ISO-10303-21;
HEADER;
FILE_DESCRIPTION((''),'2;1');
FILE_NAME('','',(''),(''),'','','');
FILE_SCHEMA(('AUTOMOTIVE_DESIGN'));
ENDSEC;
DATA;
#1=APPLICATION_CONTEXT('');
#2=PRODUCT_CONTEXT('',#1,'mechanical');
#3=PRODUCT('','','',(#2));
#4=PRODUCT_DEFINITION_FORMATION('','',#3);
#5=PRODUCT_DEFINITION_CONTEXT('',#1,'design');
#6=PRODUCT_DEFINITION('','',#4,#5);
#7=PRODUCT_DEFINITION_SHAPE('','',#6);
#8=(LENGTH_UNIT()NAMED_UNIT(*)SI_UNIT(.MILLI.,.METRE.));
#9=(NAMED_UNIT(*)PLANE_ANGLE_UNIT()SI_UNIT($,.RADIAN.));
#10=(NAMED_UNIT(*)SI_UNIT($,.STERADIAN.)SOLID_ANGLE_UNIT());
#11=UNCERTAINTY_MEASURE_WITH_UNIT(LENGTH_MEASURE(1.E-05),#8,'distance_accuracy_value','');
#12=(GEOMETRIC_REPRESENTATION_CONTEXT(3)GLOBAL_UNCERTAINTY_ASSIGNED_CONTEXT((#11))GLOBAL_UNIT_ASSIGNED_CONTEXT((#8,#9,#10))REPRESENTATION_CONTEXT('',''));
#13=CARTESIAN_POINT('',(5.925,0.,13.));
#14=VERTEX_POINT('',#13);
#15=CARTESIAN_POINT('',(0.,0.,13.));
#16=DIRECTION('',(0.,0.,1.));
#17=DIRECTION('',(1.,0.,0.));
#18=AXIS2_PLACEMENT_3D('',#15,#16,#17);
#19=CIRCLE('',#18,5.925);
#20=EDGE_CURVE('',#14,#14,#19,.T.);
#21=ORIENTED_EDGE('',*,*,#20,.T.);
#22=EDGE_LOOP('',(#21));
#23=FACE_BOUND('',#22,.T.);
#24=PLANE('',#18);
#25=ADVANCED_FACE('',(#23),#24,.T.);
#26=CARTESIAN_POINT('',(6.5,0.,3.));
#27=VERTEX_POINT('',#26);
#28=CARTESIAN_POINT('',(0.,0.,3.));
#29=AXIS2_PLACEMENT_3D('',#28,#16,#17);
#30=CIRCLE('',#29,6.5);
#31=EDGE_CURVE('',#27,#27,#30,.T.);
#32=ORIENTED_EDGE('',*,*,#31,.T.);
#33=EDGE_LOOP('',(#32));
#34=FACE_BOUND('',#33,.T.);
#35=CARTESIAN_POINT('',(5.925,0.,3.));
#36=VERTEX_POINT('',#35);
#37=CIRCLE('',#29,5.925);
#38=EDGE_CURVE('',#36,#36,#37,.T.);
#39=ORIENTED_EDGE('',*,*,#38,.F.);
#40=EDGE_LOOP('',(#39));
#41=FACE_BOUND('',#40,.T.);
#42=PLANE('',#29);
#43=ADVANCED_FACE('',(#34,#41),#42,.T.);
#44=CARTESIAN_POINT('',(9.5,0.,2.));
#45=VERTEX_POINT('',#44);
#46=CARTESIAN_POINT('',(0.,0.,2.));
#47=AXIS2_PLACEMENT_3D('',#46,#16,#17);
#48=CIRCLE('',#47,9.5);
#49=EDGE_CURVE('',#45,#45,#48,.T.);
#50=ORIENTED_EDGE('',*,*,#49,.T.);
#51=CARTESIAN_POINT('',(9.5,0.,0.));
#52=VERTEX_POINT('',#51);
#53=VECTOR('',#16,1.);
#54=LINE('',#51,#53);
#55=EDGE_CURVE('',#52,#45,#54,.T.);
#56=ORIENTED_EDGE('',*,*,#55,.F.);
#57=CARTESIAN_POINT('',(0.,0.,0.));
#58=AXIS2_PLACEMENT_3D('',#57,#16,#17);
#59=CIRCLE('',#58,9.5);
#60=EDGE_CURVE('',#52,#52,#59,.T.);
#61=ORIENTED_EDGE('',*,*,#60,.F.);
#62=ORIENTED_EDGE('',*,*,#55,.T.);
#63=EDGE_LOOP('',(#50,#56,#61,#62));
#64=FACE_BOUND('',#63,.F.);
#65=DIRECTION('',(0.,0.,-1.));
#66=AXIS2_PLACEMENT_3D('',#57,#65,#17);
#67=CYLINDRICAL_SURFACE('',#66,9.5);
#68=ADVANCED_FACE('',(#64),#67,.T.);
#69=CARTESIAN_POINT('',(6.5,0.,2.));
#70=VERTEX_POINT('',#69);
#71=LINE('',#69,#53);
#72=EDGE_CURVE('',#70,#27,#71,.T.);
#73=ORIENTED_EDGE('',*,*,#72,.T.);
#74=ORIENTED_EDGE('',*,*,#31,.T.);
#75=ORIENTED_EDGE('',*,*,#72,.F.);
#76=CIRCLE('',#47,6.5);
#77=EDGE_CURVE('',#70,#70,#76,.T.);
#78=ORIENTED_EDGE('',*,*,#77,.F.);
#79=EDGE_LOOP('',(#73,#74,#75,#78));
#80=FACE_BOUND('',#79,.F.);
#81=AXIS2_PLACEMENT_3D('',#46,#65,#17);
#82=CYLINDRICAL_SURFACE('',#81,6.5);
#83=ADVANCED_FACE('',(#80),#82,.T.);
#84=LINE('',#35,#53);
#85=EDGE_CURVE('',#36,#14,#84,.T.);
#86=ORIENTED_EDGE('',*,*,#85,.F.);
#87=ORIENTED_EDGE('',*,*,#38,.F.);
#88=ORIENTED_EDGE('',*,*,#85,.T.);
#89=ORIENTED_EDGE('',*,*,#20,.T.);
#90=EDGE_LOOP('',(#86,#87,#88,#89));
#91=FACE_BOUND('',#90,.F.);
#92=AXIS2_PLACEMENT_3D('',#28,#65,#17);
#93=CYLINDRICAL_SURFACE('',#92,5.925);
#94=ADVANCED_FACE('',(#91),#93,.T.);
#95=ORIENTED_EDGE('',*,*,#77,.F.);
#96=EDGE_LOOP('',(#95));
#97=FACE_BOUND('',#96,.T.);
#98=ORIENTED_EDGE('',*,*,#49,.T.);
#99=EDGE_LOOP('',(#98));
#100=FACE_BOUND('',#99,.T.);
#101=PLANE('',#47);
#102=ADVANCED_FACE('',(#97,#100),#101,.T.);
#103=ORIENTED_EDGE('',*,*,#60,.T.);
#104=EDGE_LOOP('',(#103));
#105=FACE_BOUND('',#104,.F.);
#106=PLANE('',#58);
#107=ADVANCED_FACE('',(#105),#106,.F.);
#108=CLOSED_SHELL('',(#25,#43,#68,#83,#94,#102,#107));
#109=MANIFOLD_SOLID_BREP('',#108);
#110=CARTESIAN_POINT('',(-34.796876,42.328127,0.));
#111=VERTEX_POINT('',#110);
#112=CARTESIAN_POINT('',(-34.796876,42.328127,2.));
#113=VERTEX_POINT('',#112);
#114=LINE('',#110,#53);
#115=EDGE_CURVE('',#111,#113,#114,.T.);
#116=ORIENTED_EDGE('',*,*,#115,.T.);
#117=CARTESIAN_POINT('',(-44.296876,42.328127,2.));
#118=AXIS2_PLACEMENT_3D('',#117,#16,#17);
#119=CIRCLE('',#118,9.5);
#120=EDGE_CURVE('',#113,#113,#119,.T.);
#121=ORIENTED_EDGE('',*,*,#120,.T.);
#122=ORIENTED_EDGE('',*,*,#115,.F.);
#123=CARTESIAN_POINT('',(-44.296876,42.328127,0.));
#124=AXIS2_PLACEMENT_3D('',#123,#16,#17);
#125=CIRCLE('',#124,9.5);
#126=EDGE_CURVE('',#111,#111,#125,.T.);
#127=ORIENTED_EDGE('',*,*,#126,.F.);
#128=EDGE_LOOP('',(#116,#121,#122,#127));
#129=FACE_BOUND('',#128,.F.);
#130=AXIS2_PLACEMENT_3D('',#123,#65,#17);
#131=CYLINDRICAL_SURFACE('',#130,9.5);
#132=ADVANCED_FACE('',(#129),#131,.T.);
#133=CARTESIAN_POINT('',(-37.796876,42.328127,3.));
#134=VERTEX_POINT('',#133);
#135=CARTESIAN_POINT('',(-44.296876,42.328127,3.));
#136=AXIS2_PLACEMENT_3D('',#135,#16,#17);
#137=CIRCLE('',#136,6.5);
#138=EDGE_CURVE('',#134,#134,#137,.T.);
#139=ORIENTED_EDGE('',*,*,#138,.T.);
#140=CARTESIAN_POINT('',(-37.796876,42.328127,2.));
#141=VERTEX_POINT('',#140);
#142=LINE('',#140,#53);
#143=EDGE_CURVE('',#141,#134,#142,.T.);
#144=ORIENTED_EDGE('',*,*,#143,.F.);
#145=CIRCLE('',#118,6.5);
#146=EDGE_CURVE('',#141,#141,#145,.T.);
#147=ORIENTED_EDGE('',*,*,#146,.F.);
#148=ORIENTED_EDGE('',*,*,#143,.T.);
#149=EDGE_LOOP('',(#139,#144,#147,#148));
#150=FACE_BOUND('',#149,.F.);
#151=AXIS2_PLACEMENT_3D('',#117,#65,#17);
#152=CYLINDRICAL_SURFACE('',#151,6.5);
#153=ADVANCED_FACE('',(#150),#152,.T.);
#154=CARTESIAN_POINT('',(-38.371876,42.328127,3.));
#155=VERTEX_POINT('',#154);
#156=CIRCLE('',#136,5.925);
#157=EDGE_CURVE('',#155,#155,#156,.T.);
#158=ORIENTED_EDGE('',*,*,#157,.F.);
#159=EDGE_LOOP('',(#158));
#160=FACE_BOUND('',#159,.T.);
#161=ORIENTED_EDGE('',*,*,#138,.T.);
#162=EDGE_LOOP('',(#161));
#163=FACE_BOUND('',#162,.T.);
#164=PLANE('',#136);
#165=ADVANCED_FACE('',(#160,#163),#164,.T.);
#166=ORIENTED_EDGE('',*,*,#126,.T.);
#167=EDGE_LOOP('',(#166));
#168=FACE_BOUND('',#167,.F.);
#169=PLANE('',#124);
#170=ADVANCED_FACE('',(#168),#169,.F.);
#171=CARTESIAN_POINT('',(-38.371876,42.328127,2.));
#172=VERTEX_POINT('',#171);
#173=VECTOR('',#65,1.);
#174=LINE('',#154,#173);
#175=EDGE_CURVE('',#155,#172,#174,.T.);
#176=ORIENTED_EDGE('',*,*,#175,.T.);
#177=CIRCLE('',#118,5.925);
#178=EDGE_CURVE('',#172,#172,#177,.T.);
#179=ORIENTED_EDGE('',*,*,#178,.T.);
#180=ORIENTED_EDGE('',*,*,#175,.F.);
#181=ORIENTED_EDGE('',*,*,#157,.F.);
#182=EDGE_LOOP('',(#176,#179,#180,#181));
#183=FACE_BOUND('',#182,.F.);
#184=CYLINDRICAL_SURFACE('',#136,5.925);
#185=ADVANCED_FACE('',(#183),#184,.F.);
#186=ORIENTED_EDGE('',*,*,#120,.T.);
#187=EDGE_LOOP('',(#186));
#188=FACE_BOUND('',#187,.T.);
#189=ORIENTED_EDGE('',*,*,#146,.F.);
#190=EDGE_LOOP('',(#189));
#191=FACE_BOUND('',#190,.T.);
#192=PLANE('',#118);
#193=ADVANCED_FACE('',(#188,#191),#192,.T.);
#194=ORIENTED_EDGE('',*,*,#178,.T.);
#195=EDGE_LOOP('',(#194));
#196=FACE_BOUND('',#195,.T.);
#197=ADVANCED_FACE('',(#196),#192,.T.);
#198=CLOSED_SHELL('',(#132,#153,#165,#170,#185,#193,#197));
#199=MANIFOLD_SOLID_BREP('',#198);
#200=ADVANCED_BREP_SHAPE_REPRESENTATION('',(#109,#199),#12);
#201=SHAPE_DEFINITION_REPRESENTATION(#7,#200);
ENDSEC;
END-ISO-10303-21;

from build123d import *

# Parameters (mm, degrees)
F0_R      = 9.5
F1_DEPTH  = 2
F2_R      = 6.5
F3_DEPTH  = 1
F4_R      = 5.925
F5_DEPTH  = 10
F6_R      = 9.5
F7_DEPTH  = 2
F8_R      = 6.5
F9_DEPTH  = 1
F10_R     = 5.925
F11_DEPTH = 1


with BuildPart() as f1:
    # F0 (on Top) → F1 (new body)
    with BuildSketch(Plane.XY):
        Circle(F0_R)
    extrude(amount=F1_DEPTH)

    # F2 (on face) → F3 (join)
    with BuildSketch(Plane.XY.offset(2)):
        Circle(F2_R)
    extrude(amount=F3_DEPTH)

    # F4 (on face) → F5 (join)
    with BuildSketch(Plane.XY.offset(3)):
        Circle(F4_R)
    extrude(amount=F5_DEPTH)


with BuildPart() as f7:
    # F6 (on Top) → F7 (new body)
    with BuildSketch(Plane.XY):
        with Locations((-44.296876, 42.328127)):
            Circle(F6_R)
    extrude(amount=F7_DEPTH)

    # F8 (on face) → F9 (join)
    with BuildSketch(Plane.XY.offset(2)):
        with Locations((-44.296876, 42.328127)):
            Circle(F8_R)
    extrude(amount=F9_DEPTH)

    # F10 (on face) → F11 (cut)
    with BuildSketch(Plane.XY.offset(3)):
        with Locations((-44.296876, 42.328127)):
            Circle(F10_R)
    extrude(amount=-F11_DEPTH, mode=Mode.SUBTRACT)


solid = Compound([f1.part, f7.part])
